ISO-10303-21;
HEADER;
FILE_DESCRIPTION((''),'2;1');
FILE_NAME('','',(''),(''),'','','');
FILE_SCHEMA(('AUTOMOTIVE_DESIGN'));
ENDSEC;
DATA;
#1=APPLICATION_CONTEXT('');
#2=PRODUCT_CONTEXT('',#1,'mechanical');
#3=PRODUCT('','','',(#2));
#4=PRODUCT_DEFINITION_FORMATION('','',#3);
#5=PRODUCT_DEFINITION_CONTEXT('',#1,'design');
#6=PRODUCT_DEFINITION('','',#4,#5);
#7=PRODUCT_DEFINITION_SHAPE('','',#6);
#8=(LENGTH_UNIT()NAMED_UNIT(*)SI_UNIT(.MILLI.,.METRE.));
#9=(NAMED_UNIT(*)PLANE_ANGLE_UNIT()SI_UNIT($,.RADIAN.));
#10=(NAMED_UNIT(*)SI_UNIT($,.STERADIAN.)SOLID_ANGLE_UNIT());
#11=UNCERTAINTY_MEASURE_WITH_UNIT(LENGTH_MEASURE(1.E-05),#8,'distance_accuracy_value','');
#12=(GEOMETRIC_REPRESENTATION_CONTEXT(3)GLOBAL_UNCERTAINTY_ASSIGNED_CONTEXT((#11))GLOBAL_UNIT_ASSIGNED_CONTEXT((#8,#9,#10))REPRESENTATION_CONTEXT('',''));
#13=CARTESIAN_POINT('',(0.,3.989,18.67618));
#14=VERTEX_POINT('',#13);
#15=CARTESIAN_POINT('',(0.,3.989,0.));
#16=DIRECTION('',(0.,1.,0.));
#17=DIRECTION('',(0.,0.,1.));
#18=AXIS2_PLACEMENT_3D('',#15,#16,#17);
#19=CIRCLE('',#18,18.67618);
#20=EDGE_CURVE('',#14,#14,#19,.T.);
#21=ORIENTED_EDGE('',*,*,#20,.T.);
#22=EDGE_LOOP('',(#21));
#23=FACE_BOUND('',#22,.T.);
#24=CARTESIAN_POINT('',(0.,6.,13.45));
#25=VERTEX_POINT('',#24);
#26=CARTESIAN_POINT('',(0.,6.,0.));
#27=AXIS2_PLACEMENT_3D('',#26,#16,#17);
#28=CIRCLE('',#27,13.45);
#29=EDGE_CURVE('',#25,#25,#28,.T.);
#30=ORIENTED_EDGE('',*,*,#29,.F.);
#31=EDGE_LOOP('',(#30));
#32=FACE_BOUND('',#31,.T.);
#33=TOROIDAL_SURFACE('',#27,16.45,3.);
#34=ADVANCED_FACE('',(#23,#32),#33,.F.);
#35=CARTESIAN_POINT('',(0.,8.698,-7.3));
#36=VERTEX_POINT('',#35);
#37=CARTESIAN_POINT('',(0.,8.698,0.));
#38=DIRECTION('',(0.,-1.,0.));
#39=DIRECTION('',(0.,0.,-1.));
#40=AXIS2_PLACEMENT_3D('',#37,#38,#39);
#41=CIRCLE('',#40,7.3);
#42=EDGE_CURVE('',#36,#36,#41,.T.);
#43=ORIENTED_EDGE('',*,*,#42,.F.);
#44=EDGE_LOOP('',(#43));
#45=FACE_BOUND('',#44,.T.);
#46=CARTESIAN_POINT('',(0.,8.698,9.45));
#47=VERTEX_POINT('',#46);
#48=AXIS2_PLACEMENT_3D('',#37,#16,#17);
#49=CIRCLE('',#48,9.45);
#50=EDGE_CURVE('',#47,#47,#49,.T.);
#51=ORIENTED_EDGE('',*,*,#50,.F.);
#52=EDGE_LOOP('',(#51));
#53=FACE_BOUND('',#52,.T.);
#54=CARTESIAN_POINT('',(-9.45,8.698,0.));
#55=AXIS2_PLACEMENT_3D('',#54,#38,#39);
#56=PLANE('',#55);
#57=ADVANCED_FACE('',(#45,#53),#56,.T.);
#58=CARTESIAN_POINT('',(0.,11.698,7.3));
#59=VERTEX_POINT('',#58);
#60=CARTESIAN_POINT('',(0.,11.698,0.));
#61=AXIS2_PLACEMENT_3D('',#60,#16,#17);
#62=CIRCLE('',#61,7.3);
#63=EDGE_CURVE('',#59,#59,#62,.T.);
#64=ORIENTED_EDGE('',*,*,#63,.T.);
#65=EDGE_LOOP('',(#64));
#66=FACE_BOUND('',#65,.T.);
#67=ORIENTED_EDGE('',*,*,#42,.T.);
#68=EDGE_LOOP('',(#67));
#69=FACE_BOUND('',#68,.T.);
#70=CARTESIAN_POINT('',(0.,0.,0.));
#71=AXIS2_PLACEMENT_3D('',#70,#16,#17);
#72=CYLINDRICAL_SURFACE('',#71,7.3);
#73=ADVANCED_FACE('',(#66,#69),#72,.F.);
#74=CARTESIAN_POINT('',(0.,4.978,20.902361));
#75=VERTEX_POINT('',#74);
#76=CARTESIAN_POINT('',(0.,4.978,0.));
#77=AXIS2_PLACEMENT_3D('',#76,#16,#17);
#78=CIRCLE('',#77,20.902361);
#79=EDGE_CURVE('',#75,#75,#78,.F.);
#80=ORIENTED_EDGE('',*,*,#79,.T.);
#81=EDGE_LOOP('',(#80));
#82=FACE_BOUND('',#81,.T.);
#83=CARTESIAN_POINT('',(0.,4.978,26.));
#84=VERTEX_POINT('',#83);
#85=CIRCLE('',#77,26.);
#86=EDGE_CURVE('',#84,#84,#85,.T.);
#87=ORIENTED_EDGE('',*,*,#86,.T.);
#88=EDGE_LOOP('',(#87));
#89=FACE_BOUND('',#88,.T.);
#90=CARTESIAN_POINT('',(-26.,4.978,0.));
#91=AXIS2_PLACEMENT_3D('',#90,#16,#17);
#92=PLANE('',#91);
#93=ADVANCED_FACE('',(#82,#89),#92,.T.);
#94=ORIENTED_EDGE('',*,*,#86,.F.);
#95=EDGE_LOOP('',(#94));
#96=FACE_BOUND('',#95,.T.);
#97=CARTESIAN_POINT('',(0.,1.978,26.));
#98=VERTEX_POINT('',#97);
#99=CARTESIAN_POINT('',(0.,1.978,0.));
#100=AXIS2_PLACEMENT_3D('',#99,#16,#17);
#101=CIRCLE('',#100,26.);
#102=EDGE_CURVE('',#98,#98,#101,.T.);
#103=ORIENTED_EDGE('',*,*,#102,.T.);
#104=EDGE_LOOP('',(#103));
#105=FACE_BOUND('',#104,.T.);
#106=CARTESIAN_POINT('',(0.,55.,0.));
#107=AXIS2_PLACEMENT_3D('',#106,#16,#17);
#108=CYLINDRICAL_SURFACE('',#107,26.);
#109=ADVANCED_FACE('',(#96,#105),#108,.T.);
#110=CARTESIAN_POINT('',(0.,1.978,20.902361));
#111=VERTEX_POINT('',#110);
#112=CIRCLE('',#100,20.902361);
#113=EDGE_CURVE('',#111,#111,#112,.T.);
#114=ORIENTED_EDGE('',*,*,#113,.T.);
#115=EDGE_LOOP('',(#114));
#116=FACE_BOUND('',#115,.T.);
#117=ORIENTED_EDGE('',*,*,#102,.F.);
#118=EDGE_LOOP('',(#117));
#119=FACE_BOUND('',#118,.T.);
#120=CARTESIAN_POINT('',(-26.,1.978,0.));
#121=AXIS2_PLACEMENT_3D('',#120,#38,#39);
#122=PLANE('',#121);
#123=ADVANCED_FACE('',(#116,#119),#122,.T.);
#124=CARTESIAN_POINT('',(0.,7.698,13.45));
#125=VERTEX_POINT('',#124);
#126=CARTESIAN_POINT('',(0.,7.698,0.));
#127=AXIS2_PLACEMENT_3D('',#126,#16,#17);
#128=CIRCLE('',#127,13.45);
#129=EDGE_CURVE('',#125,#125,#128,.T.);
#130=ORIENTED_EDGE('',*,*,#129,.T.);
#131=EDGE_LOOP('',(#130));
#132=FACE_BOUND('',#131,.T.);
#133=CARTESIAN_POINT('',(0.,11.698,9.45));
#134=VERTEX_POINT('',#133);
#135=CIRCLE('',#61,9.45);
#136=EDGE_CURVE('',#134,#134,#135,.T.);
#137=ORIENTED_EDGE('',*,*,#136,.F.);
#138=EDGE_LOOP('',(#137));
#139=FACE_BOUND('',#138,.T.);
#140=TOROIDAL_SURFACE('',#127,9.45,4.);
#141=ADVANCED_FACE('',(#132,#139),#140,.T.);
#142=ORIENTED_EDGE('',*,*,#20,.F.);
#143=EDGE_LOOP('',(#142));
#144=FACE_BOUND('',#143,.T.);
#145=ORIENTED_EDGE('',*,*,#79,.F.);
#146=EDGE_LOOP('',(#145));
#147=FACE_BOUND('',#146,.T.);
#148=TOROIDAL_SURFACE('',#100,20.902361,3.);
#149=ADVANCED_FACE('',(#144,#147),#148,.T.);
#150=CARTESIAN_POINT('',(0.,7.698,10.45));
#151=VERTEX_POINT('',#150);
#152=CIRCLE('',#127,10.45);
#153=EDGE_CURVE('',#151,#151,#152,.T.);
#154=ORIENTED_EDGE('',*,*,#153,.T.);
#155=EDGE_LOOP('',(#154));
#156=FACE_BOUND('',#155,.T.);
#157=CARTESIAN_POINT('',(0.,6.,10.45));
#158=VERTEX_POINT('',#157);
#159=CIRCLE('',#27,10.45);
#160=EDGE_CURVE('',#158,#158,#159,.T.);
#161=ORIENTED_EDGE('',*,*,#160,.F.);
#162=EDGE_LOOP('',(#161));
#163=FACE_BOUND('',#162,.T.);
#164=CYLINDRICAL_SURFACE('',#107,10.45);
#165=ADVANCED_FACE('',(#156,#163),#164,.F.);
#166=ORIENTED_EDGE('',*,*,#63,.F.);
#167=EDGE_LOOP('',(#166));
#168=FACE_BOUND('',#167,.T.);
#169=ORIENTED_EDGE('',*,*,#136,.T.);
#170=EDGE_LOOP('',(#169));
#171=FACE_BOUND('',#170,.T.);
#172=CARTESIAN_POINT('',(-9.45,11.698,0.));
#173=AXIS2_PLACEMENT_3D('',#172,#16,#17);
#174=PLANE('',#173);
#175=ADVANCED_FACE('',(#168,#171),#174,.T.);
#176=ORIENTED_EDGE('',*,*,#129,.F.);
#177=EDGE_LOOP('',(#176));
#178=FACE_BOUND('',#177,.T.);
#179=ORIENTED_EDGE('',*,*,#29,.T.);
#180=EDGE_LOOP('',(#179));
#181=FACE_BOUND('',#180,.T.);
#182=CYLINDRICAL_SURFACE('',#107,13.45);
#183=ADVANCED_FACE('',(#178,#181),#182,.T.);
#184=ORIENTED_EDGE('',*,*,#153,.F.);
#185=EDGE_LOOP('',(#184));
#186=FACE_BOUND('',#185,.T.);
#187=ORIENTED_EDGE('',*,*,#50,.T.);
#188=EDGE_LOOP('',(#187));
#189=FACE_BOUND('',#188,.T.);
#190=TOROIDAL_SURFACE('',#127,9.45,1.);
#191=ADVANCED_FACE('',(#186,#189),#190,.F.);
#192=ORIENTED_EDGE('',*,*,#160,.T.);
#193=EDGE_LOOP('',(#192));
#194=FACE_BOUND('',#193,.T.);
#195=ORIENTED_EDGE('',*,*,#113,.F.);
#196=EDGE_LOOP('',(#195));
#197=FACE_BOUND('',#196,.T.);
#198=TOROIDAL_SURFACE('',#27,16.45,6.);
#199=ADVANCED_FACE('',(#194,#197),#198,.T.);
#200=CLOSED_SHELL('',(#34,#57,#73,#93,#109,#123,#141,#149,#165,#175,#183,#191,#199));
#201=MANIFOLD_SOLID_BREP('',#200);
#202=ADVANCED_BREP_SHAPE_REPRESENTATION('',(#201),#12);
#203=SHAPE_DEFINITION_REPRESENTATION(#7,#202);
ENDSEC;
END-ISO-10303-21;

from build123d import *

# Parameters (mm, degrees)
FILLET1_R          = 3
SKETCH2_R          = 7.3
CUT_EXTRUDE1_DEPTH = 12.6980001


with BuildPart() as part:
    # Sketch1 → Revolve1 (revolve)
    with BuildSketch(Plane.XY):
        with BuildLine():
            Line((-26, 4.978), (-19.270552428, 4.978))
            ThreePointArc((-19.270552428, 4.978), (-15.931182732, 3.045202436), (-13.45, 6))
            Line((-13.45, 6), (-13.45, 7.698))
            ThreePointArc((-13.45, 7.698), (-12.278427125, 10.526427125), (-9.45, 11.698))
            Line((-9.45, 11.698), (0, 11.698))
            Line((0, 11.698), (0, 8.698))
            Line((0, 8.698), (-9.45, 8.698))
            ThreePointArc((-9.45, 8.698), (-10.157106781, 8.405106781), (-10.45, 7.698))
            Line((-10.45, 7.698), (-10.45, 6))
            ThreePointArc((-10.45, 6), (-14.295256898, 0.400260527), (-20.902360722, 1.978))
            Line((-20.902360722, 1.978), (-26, 1.978))
            Line((-26, 1.978), (-26, 4.978))
        make_face()
    revolve(axis=Axis((0, 55, 0), (0, -1, 0)))

    # Fillet1
    fillet1_edges = [part.edges().sort_by_distance(p)[0] for p in [
        (19.270552428, 4.978, 0),
    ]]
    fillet(fillet1_edges, radius=FILLET1_R)

    # Sketch2 → Cut-Extrude1 (cut, through all)
    with BuildSketch(Plane(origin=(0, 11.698, 0), x_dir=(1, 0, 0), z_dir=(0, 1, 0))):
        Circle(SKETCH2_R)
    extrude(amount=-CUT_EXTRUDE1_DEPTH, mode=Mode.SUBTRACT)


solid = part.part
